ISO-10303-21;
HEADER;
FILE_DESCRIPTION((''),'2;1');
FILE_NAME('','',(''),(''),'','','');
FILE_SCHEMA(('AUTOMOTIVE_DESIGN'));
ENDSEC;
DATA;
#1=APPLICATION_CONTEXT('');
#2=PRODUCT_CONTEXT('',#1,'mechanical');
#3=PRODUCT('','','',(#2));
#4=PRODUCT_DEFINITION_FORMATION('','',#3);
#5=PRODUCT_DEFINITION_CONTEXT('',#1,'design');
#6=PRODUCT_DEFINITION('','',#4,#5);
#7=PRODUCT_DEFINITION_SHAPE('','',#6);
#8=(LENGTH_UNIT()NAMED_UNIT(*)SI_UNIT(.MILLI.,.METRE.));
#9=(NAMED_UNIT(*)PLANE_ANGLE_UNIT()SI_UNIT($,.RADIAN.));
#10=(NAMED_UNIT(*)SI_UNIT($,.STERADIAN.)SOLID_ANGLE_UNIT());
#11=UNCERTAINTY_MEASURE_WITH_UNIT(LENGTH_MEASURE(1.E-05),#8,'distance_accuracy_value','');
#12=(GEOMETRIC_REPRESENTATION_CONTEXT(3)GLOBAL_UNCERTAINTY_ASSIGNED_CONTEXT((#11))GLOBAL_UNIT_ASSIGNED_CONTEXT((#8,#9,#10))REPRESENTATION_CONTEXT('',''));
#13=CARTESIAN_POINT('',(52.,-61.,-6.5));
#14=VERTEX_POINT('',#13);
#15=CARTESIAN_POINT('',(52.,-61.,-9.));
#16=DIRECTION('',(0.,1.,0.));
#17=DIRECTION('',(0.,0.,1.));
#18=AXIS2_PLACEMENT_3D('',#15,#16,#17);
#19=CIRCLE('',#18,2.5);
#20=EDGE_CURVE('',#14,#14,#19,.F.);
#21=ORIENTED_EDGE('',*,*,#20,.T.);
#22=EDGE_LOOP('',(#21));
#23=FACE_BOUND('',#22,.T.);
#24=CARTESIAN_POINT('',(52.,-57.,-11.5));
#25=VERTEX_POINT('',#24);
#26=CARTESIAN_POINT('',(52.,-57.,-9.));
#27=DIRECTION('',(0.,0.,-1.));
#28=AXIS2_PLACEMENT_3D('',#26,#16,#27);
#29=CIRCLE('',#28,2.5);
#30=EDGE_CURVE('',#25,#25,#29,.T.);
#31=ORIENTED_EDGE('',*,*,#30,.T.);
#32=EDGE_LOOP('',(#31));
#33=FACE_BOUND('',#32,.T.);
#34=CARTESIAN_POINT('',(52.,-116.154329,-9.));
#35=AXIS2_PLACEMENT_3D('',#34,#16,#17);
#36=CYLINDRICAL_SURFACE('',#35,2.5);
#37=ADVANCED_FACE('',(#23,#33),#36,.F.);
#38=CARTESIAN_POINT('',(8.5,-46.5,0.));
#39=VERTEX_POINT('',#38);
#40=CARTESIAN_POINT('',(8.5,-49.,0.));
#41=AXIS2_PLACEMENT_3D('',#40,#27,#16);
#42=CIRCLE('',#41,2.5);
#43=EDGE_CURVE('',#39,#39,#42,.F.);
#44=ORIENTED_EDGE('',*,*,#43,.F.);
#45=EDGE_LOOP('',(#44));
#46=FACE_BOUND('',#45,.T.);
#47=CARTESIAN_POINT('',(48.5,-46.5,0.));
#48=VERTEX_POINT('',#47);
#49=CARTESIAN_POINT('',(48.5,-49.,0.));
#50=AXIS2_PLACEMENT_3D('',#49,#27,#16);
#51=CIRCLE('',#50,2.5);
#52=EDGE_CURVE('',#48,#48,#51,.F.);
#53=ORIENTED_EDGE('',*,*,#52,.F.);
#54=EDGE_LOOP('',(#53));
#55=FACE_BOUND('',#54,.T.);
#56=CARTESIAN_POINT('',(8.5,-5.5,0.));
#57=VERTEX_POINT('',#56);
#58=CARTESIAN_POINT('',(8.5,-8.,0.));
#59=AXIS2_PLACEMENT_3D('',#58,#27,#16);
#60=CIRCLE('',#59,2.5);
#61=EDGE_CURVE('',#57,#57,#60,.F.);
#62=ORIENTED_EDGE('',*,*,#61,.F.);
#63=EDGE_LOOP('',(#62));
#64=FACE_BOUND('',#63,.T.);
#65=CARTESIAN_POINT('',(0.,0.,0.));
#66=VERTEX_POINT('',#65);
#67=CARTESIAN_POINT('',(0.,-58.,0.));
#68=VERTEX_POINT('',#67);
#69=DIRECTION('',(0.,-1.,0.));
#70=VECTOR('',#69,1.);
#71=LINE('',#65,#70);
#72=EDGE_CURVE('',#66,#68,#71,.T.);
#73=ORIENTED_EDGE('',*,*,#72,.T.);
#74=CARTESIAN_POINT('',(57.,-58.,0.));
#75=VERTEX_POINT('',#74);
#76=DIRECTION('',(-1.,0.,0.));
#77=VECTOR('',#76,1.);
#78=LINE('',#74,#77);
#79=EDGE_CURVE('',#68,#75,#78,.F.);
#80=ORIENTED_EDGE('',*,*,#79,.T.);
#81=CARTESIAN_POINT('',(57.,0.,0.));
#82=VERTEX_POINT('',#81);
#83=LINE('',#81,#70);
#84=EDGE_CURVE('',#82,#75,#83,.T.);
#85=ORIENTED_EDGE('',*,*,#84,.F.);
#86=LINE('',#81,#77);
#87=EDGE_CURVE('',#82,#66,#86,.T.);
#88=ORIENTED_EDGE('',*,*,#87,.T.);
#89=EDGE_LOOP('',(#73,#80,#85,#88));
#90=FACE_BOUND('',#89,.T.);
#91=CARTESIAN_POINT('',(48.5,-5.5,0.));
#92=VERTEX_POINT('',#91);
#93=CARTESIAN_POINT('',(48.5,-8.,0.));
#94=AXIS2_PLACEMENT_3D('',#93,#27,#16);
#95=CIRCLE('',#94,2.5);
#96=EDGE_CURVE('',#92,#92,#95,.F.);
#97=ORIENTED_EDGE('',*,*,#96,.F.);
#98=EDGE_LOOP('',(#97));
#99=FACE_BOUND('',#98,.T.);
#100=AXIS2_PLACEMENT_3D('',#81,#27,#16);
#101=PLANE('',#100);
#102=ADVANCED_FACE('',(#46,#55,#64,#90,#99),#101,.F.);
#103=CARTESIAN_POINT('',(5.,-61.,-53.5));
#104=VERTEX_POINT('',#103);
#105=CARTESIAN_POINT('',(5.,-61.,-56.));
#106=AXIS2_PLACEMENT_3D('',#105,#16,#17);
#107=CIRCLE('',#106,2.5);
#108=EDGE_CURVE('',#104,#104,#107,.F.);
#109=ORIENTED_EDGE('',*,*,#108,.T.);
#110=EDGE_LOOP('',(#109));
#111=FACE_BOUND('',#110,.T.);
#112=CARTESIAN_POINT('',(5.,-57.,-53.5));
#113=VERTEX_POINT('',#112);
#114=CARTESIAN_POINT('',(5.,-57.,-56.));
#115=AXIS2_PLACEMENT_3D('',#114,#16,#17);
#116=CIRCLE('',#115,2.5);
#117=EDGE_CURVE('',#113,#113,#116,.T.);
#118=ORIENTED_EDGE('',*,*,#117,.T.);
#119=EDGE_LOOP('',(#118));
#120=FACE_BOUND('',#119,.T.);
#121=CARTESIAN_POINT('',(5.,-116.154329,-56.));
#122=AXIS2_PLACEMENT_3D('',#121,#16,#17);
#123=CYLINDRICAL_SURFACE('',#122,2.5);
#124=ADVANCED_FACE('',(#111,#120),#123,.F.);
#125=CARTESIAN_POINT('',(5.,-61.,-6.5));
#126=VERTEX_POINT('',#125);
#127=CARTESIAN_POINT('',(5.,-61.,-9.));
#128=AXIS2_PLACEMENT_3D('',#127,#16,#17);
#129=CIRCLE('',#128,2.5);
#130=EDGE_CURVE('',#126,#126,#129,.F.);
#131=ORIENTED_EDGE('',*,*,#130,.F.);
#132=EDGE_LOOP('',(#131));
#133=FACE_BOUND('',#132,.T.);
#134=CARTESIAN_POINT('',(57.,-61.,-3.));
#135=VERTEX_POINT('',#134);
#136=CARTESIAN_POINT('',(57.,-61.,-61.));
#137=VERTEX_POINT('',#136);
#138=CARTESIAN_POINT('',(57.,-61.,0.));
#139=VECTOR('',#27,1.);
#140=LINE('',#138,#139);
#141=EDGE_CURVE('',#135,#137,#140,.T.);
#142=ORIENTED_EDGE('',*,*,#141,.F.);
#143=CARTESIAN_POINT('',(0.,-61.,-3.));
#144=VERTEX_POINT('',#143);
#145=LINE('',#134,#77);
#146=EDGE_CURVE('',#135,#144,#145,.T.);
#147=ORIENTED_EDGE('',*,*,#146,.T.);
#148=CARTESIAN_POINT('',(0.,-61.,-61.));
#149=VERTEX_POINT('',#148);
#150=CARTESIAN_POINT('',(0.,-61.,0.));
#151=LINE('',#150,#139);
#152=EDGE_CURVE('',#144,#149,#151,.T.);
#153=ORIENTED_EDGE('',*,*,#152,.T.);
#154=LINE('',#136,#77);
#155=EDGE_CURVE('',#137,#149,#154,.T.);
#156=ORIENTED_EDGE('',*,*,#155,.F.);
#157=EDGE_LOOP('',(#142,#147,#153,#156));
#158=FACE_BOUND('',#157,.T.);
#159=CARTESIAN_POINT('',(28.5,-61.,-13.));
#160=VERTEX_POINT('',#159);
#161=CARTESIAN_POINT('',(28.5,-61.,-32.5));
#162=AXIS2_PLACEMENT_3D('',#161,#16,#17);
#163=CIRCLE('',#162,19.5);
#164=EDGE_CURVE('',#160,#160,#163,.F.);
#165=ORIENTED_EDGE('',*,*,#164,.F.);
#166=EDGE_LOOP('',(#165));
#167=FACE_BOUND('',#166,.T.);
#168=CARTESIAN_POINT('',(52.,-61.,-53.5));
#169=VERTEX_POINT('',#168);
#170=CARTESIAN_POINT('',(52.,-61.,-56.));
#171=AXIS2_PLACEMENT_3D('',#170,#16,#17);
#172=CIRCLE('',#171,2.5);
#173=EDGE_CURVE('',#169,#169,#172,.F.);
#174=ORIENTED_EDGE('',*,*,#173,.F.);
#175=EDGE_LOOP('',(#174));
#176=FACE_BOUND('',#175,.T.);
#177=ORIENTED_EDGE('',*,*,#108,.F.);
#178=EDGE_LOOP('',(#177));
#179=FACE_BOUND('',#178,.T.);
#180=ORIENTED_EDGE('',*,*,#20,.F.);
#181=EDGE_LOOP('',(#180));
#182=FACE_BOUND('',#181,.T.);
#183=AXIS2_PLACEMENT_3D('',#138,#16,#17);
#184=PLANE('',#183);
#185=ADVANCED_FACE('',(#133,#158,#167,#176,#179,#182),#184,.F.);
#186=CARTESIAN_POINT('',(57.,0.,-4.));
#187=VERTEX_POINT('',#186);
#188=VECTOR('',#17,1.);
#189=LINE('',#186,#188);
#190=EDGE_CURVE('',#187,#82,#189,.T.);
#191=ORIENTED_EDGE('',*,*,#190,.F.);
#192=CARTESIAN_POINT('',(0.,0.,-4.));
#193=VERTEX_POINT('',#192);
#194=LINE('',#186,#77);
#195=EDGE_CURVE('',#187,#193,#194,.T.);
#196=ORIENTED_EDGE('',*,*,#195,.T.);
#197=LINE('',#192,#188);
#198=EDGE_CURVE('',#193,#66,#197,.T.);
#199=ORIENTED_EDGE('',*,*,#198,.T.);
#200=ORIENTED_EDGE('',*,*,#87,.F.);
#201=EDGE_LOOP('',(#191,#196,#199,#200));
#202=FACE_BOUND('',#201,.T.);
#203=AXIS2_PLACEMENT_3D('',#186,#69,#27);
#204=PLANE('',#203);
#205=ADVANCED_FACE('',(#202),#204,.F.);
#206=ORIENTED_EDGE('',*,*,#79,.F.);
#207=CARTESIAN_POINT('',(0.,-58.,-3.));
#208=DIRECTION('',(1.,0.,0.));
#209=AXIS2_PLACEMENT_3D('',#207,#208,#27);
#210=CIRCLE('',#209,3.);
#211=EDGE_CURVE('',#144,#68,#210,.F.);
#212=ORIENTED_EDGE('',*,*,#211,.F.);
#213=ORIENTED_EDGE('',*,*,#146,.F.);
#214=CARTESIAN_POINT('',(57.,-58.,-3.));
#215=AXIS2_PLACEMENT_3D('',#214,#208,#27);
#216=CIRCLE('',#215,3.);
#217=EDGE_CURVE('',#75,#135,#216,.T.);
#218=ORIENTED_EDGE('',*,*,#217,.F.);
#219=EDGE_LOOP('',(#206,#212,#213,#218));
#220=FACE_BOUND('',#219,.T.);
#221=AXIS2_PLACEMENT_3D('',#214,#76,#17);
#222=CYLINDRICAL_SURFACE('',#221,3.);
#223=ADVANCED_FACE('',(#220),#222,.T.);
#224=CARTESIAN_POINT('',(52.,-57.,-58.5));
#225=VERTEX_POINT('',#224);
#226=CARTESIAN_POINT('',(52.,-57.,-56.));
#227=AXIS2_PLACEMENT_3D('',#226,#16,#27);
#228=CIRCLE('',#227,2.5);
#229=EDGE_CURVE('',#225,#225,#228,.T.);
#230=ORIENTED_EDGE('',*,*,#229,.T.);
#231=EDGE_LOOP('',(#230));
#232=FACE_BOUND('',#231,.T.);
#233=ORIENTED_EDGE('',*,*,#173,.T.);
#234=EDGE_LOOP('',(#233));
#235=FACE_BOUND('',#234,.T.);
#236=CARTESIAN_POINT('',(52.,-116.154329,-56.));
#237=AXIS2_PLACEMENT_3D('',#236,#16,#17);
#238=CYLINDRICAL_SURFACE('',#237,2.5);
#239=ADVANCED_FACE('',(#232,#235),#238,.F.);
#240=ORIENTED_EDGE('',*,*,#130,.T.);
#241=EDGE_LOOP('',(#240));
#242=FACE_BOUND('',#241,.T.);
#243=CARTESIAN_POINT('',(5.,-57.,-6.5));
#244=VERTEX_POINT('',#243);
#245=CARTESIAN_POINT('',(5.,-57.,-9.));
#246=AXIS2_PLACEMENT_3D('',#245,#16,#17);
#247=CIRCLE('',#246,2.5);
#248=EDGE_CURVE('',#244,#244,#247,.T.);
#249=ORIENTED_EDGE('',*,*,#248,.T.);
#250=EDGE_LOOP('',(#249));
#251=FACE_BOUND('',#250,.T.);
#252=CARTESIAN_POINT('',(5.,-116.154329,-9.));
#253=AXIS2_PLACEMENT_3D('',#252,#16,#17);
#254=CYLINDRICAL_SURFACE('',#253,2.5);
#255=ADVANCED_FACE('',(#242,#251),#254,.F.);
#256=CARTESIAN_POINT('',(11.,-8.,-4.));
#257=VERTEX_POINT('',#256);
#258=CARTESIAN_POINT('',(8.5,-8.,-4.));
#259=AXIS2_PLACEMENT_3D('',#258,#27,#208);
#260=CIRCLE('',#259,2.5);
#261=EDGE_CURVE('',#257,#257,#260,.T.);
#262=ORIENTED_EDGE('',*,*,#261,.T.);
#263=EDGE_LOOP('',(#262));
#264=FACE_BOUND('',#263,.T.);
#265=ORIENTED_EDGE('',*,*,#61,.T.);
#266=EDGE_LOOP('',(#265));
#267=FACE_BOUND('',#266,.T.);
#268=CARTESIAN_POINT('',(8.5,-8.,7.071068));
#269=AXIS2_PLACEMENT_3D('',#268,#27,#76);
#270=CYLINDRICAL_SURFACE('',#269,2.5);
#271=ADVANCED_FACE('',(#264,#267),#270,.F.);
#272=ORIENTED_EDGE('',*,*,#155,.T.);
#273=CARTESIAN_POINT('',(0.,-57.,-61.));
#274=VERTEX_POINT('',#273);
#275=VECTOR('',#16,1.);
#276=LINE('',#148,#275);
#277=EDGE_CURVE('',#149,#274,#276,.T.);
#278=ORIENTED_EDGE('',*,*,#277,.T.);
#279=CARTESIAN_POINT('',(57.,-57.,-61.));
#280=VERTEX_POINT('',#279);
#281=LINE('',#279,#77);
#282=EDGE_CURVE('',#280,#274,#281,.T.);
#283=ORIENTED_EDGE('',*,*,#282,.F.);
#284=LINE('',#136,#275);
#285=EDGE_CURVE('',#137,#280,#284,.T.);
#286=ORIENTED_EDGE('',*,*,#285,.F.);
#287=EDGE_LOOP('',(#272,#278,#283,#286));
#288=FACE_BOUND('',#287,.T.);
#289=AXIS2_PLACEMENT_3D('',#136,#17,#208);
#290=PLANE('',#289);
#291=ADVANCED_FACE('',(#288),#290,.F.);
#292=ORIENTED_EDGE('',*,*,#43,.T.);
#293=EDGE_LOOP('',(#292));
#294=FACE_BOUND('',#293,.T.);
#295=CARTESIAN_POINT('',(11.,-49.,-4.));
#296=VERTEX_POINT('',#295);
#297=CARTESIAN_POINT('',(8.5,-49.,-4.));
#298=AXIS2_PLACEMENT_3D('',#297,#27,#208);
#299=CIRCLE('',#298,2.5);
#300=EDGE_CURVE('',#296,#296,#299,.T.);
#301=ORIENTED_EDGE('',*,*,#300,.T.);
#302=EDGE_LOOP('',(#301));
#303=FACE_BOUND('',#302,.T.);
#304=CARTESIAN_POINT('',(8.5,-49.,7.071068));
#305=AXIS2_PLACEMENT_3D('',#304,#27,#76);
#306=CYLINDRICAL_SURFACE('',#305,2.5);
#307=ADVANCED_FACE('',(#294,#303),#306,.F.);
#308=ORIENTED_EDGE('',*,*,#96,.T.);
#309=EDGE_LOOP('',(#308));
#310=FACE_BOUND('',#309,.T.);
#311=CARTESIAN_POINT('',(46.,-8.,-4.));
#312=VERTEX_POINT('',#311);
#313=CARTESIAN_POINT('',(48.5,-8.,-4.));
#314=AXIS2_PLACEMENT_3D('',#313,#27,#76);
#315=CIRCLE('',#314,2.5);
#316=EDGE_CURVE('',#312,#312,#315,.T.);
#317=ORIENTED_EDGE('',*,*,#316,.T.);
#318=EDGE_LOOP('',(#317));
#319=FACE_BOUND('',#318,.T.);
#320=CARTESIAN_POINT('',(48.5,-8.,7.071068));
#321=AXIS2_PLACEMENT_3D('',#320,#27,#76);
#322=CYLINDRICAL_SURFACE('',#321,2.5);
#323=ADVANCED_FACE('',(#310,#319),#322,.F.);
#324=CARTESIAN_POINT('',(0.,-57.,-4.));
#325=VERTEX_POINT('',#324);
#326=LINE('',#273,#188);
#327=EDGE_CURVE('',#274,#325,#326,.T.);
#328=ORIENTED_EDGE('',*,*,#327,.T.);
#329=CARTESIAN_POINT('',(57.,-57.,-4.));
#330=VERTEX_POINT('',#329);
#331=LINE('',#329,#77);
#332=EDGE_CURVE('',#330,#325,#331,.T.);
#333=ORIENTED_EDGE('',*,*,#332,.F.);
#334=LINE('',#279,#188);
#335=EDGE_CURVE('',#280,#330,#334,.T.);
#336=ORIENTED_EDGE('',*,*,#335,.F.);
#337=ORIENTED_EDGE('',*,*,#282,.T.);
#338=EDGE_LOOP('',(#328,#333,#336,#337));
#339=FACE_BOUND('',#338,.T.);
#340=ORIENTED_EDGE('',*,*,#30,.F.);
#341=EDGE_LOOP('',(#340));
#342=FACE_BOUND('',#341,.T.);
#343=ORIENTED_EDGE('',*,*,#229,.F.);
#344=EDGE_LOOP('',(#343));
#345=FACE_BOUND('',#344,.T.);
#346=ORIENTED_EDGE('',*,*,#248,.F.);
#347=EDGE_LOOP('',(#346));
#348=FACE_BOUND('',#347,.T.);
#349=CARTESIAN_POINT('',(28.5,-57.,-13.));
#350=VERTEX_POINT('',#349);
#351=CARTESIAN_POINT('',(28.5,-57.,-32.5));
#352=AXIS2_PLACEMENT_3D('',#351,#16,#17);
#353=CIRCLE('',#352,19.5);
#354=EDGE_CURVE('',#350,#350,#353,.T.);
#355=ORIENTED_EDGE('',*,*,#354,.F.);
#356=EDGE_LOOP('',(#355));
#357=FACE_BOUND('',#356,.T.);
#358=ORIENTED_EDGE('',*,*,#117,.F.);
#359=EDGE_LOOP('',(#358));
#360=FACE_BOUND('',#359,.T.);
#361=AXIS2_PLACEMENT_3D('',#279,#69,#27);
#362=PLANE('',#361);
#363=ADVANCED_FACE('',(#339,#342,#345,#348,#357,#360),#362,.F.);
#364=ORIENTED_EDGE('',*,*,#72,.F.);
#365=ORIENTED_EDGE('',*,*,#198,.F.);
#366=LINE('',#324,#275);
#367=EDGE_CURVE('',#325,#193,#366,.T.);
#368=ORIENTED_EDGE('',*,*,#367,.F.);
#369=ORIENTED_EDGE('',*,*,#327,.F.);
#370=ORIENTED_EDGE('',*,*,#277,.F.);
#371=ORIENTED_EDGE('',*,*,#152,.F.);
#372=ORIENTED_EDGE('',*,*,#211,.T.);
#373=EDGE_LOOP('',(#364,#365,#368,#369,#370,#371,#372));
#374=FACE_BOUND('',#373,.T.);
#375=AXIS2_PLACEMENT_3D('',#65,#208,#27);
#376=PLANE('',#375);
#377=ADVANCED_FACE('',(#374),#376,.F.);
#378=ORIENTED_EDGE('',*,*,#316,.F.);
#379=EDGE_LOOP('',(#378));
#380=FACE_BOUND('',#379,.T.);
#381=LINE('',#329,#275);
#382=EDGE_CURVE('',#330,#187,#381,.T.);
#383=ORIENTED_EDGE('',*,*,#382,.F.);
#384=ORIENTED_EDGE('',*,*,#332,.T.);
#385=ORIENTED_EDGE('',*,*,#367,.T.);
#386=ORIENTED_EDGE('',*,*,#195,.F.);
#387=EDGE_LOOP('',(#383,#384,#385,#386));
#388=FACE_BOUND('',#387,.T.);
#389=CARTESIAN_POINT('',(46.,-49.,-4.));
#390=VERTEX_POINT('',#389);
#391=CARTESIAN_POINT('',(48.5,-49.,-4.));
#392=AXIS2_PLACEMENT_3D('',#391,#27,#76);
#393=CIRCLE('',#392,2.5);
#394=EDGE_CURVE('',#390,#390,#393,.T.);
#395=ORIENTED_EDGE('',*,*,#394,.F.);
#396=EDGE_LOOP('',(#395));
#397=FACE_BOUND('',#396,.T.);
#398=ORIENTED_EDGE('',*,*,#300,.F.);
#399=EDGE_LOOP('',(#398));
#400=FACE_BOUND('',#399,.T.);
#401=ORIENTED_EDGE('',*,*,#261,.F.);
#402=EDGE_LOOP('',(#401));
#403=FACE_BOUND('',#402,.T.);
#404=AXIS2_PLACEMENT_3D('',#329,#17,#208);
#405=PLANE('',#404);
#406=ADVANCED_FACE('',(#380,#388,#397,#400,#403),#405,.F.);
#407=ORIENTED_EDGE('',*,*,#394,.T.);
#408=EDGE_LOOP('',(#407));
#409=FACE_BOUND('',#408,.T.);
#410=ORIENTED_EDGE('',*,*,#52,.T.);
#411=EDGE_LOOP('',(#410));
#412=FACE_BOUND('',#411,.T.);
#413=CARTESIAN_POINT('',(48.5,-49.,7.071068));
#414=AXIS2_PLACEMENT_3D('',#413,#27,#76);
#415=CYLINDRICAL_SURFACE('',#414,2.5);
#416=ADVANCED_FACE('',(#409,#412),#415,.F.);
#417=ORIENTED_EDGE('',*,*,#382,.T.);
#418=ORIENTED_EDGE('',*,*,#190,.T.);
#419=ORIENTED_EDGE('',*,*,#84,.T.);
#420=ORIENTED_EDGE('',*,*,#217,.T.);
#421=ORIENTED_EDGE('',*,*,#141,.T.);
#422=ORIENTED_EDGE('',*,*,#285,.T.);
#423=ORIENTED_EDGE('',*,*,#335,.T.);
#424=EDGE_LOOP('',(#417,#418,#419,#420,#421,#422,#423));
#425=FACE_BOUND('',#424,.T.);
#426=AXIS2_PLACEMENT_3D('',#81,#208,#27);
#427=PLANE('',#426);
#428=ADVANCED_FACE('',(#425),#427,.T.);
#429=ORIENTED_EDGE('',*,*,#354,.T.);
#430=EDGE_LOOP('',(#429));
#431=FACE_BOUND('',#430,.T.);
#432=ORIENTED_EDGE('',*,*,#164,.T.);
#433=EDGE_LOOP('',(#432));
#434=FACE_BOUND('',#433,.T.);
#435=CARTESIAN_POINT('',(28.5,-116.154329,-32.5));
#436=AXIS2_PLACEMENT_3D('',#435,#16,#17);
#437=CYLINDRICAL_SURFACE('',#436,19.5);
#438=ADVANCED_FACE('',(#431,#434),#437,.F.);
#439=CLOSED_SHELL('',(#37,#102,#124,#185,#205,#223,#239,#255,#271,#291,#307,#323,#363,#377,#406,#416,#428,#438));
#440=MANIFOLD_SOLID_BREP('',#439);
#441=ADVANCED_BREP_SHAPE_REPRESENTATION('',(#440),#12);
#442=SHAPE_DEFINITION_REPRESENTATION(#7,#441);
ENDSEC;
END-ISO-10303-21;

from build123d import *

# Parameters (mm, degrees)
BOSS_EXTRUDE4_DEPTH = 57
FILLET4_R           = 3
SKETCH10_R          = 2.5
SKETCH10_R_2        = 19.5
CUT_EXTRUDE5_DEPTH  = 4
SKETCH11_R          = 2.5
CUT_EXTRUDE6_DEPTH  = 4


with BuildPart() as part:
    # Sketch1 → Boss-Extrude4 (new body)
    with BuildSketch(Plane(origin=(0, 0, 0), x_dir=(0, 0, -1), z_dir=(1, 0, 0))):
        Polygon((0, 0), (0, -61), (61, -61), (61, -57), (4, -57), (4, 0), align=None)
    extrude(amount=BOSS_EXTRUDE4_DEPTH)

    # Fillet4
    fillet4_edges = [part.edges().sort_by_distance(p)[0] for p in [
        (28.5, -61, 0),
    ]]
    fillet(fillet4_edges, radius=FILLET4_R)

    # Sketch10 → Cut-Extrude5 (cut)
    with BuildSketch(Plane(origin=(0, -57, 0), x_dir=(1, 0, 0), z_dir=(0, 1, 0))):
        with Locations(Location((5, 56, 0), (0, 0, 270))):
            Circle(SKETCH10_R)
        with Locations(Location((5, 9, 0), (0, 0, 270))):
            Circle(SKETCH10_R)
        with Locations(Location((52, 9, 0), (0, 0, 270))):
            Circle(SKETCH10_R)
        with Locations(Location((52, 56, 0), (0, 0, 270))):
            Circle(SKETCH10_R)
        with Locations(Location((28.5, 32.5, 0), (0, 0, 270))):
            Circle(SKETCH10_R_2)
    extrude(amount=-CUT_EXTRUDE5_DEPTH, mode=Mode.SUBTRACT)

    # Sketch11 → Cut-Extrude6 (cut)
    with BuildSketch(Plane(origin=(0, 0, -4), x_dir=(-1, 0, 0), z_dir=(0, 0, -1))):
        with Locations((-48.5, -8)):
            Circle(SKETCH11_R)
        with Locations((-48.5, -49)):
            Circle(SKETCH11_R)
        with Locations(Location((-8.5, -49, 0), (0, 0, 90))):
            Circle(SKETCH11_R)
        with Locations(Location((-8.5, -8, 0), (0, 0, 90))):
            Circle(SKETCH11_R)
    extrude(amount=-CUT_EXTRUDE6_DEPTH, mode=Mode.SUBTRACT)


solid = part.part
